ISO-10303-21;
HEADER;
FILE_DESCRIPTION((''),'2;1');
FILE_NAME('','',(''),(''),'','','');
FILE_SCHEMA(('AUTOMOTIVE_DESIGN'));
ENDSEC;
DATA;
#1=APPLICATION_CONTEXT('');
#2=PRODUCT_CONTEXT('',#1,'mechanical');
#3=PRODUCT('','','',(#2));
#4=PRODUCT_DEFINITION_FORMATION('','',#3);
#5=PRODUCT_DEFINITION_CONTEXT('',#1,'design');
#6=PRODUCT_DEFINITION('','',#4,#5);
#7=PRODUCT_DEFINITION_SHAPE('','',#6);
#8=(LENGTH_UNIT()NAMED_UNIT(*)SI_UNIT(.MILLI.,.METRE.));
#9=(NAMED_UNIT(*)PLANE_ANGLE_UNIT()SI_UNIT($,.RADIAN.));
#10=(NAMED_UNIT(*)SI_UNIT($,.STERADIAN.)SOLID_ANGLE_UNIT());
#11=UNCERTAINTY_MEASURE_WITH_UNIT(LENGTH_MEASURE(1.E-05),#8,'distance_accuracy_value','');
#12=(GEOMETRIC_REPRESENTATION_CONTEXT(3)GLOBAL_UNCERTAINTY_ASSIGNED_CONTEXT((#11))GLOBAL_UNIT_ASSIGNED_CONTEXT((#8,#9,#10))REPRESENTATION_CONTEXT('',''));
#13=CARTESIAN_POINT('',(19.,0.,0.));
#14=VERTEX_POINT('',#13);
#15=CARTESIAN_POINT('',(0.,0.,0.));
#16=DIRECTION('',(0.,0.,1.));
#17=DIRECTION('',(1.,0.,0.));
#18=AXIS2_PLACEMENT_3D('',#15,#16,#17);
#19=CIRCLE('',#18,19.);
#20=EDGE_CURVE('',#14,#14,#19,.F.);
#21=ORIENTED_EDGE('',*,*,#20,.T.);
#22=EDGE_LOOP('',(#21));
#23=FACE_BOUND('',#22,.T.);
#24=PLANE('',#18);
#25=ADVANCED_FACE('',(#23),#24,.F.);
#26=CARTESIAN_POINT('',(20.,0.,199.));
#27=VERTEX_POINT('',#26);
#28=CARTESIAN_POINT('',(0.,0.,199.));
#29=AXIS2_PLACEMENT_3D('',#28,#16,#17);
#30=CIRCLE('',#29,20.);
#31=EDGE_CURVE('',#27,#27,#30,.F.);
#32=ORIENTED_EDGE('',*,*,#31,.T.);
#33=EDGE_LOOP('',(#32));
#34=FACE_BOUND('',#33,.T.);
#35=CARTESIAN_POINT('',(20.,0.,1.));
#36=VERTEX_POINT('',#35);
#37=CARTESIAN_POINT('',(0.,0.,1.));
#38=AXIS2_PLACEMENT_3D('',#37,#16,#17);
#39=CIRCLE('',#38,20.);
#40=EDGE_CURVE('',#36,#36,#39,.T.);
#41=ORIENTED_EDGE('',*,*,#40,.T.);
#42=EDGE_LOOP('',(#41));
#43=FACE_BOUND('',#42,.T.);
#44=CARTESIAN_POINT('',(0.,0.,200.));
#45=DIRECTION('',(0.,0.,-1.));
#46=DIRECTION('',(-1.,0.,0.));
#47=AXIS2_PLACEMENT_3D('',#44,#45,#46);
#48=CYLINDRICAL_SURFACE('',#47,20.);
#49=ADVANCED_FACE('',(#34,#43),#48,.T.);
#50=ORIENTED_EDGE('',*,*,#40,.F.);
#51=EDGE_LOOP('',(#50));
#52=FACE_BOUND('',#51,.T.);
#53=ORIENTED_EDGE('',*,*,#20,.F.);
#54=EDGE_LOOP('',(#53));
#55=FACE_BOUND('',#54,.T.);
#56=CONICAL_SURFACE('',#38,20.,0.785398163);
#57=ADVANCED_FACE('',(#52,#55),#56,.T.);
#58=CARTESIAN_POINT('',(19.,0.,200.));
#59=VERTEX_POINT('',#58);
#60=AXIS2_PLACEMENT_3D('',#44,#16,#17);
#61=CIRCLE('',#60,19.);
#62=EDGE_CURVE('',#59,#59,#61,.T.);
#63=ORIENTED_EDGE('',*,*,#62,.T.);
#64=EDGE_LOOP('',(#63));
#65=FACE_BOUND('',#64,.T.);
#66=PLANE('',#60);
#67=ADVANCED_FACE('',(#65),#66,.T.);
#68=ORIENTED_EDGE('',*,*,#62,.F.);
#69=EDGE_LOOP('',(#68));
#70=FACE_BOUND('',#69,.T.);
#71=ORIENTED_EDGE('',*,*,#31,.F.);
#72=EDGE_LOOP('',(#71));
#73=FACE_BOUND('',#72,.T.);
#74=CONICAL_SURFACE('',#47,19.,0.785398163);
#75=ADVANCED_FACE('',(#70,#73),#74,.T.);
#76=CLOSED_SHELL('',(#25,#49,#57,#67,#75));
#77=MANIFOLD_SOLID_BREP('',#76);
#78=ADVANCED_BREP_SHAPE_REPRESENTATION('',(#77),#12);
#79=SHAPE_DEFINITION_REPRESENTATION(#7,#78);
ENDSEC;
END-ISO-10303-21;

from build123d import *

# Parameters (mm, degrees)
SKETCH1_R           = 20
BOSS_EXTRUDE1_DEPTH = 200
CHAMFER1_SIZE       = 1


with BuildPart() as part:
    # Sketch1 → Boss-Extrude1 (new body)
    with BuildSketch(Plane.XY):
        Circle(SKETCH1_R)
    extrude(amount=BOSS_EXTRUDE1_DEPTH)

    # Chamfer1
    chamfer1_edges = [part.edges().sort_by_distance(p)[0] for p in [
        (-20, 0, 0),
        (-20, 0, 200),
    ]]
    chamfer(chamfer1_edges, length=CHAMFER1_SIZE)


solid = part.part
